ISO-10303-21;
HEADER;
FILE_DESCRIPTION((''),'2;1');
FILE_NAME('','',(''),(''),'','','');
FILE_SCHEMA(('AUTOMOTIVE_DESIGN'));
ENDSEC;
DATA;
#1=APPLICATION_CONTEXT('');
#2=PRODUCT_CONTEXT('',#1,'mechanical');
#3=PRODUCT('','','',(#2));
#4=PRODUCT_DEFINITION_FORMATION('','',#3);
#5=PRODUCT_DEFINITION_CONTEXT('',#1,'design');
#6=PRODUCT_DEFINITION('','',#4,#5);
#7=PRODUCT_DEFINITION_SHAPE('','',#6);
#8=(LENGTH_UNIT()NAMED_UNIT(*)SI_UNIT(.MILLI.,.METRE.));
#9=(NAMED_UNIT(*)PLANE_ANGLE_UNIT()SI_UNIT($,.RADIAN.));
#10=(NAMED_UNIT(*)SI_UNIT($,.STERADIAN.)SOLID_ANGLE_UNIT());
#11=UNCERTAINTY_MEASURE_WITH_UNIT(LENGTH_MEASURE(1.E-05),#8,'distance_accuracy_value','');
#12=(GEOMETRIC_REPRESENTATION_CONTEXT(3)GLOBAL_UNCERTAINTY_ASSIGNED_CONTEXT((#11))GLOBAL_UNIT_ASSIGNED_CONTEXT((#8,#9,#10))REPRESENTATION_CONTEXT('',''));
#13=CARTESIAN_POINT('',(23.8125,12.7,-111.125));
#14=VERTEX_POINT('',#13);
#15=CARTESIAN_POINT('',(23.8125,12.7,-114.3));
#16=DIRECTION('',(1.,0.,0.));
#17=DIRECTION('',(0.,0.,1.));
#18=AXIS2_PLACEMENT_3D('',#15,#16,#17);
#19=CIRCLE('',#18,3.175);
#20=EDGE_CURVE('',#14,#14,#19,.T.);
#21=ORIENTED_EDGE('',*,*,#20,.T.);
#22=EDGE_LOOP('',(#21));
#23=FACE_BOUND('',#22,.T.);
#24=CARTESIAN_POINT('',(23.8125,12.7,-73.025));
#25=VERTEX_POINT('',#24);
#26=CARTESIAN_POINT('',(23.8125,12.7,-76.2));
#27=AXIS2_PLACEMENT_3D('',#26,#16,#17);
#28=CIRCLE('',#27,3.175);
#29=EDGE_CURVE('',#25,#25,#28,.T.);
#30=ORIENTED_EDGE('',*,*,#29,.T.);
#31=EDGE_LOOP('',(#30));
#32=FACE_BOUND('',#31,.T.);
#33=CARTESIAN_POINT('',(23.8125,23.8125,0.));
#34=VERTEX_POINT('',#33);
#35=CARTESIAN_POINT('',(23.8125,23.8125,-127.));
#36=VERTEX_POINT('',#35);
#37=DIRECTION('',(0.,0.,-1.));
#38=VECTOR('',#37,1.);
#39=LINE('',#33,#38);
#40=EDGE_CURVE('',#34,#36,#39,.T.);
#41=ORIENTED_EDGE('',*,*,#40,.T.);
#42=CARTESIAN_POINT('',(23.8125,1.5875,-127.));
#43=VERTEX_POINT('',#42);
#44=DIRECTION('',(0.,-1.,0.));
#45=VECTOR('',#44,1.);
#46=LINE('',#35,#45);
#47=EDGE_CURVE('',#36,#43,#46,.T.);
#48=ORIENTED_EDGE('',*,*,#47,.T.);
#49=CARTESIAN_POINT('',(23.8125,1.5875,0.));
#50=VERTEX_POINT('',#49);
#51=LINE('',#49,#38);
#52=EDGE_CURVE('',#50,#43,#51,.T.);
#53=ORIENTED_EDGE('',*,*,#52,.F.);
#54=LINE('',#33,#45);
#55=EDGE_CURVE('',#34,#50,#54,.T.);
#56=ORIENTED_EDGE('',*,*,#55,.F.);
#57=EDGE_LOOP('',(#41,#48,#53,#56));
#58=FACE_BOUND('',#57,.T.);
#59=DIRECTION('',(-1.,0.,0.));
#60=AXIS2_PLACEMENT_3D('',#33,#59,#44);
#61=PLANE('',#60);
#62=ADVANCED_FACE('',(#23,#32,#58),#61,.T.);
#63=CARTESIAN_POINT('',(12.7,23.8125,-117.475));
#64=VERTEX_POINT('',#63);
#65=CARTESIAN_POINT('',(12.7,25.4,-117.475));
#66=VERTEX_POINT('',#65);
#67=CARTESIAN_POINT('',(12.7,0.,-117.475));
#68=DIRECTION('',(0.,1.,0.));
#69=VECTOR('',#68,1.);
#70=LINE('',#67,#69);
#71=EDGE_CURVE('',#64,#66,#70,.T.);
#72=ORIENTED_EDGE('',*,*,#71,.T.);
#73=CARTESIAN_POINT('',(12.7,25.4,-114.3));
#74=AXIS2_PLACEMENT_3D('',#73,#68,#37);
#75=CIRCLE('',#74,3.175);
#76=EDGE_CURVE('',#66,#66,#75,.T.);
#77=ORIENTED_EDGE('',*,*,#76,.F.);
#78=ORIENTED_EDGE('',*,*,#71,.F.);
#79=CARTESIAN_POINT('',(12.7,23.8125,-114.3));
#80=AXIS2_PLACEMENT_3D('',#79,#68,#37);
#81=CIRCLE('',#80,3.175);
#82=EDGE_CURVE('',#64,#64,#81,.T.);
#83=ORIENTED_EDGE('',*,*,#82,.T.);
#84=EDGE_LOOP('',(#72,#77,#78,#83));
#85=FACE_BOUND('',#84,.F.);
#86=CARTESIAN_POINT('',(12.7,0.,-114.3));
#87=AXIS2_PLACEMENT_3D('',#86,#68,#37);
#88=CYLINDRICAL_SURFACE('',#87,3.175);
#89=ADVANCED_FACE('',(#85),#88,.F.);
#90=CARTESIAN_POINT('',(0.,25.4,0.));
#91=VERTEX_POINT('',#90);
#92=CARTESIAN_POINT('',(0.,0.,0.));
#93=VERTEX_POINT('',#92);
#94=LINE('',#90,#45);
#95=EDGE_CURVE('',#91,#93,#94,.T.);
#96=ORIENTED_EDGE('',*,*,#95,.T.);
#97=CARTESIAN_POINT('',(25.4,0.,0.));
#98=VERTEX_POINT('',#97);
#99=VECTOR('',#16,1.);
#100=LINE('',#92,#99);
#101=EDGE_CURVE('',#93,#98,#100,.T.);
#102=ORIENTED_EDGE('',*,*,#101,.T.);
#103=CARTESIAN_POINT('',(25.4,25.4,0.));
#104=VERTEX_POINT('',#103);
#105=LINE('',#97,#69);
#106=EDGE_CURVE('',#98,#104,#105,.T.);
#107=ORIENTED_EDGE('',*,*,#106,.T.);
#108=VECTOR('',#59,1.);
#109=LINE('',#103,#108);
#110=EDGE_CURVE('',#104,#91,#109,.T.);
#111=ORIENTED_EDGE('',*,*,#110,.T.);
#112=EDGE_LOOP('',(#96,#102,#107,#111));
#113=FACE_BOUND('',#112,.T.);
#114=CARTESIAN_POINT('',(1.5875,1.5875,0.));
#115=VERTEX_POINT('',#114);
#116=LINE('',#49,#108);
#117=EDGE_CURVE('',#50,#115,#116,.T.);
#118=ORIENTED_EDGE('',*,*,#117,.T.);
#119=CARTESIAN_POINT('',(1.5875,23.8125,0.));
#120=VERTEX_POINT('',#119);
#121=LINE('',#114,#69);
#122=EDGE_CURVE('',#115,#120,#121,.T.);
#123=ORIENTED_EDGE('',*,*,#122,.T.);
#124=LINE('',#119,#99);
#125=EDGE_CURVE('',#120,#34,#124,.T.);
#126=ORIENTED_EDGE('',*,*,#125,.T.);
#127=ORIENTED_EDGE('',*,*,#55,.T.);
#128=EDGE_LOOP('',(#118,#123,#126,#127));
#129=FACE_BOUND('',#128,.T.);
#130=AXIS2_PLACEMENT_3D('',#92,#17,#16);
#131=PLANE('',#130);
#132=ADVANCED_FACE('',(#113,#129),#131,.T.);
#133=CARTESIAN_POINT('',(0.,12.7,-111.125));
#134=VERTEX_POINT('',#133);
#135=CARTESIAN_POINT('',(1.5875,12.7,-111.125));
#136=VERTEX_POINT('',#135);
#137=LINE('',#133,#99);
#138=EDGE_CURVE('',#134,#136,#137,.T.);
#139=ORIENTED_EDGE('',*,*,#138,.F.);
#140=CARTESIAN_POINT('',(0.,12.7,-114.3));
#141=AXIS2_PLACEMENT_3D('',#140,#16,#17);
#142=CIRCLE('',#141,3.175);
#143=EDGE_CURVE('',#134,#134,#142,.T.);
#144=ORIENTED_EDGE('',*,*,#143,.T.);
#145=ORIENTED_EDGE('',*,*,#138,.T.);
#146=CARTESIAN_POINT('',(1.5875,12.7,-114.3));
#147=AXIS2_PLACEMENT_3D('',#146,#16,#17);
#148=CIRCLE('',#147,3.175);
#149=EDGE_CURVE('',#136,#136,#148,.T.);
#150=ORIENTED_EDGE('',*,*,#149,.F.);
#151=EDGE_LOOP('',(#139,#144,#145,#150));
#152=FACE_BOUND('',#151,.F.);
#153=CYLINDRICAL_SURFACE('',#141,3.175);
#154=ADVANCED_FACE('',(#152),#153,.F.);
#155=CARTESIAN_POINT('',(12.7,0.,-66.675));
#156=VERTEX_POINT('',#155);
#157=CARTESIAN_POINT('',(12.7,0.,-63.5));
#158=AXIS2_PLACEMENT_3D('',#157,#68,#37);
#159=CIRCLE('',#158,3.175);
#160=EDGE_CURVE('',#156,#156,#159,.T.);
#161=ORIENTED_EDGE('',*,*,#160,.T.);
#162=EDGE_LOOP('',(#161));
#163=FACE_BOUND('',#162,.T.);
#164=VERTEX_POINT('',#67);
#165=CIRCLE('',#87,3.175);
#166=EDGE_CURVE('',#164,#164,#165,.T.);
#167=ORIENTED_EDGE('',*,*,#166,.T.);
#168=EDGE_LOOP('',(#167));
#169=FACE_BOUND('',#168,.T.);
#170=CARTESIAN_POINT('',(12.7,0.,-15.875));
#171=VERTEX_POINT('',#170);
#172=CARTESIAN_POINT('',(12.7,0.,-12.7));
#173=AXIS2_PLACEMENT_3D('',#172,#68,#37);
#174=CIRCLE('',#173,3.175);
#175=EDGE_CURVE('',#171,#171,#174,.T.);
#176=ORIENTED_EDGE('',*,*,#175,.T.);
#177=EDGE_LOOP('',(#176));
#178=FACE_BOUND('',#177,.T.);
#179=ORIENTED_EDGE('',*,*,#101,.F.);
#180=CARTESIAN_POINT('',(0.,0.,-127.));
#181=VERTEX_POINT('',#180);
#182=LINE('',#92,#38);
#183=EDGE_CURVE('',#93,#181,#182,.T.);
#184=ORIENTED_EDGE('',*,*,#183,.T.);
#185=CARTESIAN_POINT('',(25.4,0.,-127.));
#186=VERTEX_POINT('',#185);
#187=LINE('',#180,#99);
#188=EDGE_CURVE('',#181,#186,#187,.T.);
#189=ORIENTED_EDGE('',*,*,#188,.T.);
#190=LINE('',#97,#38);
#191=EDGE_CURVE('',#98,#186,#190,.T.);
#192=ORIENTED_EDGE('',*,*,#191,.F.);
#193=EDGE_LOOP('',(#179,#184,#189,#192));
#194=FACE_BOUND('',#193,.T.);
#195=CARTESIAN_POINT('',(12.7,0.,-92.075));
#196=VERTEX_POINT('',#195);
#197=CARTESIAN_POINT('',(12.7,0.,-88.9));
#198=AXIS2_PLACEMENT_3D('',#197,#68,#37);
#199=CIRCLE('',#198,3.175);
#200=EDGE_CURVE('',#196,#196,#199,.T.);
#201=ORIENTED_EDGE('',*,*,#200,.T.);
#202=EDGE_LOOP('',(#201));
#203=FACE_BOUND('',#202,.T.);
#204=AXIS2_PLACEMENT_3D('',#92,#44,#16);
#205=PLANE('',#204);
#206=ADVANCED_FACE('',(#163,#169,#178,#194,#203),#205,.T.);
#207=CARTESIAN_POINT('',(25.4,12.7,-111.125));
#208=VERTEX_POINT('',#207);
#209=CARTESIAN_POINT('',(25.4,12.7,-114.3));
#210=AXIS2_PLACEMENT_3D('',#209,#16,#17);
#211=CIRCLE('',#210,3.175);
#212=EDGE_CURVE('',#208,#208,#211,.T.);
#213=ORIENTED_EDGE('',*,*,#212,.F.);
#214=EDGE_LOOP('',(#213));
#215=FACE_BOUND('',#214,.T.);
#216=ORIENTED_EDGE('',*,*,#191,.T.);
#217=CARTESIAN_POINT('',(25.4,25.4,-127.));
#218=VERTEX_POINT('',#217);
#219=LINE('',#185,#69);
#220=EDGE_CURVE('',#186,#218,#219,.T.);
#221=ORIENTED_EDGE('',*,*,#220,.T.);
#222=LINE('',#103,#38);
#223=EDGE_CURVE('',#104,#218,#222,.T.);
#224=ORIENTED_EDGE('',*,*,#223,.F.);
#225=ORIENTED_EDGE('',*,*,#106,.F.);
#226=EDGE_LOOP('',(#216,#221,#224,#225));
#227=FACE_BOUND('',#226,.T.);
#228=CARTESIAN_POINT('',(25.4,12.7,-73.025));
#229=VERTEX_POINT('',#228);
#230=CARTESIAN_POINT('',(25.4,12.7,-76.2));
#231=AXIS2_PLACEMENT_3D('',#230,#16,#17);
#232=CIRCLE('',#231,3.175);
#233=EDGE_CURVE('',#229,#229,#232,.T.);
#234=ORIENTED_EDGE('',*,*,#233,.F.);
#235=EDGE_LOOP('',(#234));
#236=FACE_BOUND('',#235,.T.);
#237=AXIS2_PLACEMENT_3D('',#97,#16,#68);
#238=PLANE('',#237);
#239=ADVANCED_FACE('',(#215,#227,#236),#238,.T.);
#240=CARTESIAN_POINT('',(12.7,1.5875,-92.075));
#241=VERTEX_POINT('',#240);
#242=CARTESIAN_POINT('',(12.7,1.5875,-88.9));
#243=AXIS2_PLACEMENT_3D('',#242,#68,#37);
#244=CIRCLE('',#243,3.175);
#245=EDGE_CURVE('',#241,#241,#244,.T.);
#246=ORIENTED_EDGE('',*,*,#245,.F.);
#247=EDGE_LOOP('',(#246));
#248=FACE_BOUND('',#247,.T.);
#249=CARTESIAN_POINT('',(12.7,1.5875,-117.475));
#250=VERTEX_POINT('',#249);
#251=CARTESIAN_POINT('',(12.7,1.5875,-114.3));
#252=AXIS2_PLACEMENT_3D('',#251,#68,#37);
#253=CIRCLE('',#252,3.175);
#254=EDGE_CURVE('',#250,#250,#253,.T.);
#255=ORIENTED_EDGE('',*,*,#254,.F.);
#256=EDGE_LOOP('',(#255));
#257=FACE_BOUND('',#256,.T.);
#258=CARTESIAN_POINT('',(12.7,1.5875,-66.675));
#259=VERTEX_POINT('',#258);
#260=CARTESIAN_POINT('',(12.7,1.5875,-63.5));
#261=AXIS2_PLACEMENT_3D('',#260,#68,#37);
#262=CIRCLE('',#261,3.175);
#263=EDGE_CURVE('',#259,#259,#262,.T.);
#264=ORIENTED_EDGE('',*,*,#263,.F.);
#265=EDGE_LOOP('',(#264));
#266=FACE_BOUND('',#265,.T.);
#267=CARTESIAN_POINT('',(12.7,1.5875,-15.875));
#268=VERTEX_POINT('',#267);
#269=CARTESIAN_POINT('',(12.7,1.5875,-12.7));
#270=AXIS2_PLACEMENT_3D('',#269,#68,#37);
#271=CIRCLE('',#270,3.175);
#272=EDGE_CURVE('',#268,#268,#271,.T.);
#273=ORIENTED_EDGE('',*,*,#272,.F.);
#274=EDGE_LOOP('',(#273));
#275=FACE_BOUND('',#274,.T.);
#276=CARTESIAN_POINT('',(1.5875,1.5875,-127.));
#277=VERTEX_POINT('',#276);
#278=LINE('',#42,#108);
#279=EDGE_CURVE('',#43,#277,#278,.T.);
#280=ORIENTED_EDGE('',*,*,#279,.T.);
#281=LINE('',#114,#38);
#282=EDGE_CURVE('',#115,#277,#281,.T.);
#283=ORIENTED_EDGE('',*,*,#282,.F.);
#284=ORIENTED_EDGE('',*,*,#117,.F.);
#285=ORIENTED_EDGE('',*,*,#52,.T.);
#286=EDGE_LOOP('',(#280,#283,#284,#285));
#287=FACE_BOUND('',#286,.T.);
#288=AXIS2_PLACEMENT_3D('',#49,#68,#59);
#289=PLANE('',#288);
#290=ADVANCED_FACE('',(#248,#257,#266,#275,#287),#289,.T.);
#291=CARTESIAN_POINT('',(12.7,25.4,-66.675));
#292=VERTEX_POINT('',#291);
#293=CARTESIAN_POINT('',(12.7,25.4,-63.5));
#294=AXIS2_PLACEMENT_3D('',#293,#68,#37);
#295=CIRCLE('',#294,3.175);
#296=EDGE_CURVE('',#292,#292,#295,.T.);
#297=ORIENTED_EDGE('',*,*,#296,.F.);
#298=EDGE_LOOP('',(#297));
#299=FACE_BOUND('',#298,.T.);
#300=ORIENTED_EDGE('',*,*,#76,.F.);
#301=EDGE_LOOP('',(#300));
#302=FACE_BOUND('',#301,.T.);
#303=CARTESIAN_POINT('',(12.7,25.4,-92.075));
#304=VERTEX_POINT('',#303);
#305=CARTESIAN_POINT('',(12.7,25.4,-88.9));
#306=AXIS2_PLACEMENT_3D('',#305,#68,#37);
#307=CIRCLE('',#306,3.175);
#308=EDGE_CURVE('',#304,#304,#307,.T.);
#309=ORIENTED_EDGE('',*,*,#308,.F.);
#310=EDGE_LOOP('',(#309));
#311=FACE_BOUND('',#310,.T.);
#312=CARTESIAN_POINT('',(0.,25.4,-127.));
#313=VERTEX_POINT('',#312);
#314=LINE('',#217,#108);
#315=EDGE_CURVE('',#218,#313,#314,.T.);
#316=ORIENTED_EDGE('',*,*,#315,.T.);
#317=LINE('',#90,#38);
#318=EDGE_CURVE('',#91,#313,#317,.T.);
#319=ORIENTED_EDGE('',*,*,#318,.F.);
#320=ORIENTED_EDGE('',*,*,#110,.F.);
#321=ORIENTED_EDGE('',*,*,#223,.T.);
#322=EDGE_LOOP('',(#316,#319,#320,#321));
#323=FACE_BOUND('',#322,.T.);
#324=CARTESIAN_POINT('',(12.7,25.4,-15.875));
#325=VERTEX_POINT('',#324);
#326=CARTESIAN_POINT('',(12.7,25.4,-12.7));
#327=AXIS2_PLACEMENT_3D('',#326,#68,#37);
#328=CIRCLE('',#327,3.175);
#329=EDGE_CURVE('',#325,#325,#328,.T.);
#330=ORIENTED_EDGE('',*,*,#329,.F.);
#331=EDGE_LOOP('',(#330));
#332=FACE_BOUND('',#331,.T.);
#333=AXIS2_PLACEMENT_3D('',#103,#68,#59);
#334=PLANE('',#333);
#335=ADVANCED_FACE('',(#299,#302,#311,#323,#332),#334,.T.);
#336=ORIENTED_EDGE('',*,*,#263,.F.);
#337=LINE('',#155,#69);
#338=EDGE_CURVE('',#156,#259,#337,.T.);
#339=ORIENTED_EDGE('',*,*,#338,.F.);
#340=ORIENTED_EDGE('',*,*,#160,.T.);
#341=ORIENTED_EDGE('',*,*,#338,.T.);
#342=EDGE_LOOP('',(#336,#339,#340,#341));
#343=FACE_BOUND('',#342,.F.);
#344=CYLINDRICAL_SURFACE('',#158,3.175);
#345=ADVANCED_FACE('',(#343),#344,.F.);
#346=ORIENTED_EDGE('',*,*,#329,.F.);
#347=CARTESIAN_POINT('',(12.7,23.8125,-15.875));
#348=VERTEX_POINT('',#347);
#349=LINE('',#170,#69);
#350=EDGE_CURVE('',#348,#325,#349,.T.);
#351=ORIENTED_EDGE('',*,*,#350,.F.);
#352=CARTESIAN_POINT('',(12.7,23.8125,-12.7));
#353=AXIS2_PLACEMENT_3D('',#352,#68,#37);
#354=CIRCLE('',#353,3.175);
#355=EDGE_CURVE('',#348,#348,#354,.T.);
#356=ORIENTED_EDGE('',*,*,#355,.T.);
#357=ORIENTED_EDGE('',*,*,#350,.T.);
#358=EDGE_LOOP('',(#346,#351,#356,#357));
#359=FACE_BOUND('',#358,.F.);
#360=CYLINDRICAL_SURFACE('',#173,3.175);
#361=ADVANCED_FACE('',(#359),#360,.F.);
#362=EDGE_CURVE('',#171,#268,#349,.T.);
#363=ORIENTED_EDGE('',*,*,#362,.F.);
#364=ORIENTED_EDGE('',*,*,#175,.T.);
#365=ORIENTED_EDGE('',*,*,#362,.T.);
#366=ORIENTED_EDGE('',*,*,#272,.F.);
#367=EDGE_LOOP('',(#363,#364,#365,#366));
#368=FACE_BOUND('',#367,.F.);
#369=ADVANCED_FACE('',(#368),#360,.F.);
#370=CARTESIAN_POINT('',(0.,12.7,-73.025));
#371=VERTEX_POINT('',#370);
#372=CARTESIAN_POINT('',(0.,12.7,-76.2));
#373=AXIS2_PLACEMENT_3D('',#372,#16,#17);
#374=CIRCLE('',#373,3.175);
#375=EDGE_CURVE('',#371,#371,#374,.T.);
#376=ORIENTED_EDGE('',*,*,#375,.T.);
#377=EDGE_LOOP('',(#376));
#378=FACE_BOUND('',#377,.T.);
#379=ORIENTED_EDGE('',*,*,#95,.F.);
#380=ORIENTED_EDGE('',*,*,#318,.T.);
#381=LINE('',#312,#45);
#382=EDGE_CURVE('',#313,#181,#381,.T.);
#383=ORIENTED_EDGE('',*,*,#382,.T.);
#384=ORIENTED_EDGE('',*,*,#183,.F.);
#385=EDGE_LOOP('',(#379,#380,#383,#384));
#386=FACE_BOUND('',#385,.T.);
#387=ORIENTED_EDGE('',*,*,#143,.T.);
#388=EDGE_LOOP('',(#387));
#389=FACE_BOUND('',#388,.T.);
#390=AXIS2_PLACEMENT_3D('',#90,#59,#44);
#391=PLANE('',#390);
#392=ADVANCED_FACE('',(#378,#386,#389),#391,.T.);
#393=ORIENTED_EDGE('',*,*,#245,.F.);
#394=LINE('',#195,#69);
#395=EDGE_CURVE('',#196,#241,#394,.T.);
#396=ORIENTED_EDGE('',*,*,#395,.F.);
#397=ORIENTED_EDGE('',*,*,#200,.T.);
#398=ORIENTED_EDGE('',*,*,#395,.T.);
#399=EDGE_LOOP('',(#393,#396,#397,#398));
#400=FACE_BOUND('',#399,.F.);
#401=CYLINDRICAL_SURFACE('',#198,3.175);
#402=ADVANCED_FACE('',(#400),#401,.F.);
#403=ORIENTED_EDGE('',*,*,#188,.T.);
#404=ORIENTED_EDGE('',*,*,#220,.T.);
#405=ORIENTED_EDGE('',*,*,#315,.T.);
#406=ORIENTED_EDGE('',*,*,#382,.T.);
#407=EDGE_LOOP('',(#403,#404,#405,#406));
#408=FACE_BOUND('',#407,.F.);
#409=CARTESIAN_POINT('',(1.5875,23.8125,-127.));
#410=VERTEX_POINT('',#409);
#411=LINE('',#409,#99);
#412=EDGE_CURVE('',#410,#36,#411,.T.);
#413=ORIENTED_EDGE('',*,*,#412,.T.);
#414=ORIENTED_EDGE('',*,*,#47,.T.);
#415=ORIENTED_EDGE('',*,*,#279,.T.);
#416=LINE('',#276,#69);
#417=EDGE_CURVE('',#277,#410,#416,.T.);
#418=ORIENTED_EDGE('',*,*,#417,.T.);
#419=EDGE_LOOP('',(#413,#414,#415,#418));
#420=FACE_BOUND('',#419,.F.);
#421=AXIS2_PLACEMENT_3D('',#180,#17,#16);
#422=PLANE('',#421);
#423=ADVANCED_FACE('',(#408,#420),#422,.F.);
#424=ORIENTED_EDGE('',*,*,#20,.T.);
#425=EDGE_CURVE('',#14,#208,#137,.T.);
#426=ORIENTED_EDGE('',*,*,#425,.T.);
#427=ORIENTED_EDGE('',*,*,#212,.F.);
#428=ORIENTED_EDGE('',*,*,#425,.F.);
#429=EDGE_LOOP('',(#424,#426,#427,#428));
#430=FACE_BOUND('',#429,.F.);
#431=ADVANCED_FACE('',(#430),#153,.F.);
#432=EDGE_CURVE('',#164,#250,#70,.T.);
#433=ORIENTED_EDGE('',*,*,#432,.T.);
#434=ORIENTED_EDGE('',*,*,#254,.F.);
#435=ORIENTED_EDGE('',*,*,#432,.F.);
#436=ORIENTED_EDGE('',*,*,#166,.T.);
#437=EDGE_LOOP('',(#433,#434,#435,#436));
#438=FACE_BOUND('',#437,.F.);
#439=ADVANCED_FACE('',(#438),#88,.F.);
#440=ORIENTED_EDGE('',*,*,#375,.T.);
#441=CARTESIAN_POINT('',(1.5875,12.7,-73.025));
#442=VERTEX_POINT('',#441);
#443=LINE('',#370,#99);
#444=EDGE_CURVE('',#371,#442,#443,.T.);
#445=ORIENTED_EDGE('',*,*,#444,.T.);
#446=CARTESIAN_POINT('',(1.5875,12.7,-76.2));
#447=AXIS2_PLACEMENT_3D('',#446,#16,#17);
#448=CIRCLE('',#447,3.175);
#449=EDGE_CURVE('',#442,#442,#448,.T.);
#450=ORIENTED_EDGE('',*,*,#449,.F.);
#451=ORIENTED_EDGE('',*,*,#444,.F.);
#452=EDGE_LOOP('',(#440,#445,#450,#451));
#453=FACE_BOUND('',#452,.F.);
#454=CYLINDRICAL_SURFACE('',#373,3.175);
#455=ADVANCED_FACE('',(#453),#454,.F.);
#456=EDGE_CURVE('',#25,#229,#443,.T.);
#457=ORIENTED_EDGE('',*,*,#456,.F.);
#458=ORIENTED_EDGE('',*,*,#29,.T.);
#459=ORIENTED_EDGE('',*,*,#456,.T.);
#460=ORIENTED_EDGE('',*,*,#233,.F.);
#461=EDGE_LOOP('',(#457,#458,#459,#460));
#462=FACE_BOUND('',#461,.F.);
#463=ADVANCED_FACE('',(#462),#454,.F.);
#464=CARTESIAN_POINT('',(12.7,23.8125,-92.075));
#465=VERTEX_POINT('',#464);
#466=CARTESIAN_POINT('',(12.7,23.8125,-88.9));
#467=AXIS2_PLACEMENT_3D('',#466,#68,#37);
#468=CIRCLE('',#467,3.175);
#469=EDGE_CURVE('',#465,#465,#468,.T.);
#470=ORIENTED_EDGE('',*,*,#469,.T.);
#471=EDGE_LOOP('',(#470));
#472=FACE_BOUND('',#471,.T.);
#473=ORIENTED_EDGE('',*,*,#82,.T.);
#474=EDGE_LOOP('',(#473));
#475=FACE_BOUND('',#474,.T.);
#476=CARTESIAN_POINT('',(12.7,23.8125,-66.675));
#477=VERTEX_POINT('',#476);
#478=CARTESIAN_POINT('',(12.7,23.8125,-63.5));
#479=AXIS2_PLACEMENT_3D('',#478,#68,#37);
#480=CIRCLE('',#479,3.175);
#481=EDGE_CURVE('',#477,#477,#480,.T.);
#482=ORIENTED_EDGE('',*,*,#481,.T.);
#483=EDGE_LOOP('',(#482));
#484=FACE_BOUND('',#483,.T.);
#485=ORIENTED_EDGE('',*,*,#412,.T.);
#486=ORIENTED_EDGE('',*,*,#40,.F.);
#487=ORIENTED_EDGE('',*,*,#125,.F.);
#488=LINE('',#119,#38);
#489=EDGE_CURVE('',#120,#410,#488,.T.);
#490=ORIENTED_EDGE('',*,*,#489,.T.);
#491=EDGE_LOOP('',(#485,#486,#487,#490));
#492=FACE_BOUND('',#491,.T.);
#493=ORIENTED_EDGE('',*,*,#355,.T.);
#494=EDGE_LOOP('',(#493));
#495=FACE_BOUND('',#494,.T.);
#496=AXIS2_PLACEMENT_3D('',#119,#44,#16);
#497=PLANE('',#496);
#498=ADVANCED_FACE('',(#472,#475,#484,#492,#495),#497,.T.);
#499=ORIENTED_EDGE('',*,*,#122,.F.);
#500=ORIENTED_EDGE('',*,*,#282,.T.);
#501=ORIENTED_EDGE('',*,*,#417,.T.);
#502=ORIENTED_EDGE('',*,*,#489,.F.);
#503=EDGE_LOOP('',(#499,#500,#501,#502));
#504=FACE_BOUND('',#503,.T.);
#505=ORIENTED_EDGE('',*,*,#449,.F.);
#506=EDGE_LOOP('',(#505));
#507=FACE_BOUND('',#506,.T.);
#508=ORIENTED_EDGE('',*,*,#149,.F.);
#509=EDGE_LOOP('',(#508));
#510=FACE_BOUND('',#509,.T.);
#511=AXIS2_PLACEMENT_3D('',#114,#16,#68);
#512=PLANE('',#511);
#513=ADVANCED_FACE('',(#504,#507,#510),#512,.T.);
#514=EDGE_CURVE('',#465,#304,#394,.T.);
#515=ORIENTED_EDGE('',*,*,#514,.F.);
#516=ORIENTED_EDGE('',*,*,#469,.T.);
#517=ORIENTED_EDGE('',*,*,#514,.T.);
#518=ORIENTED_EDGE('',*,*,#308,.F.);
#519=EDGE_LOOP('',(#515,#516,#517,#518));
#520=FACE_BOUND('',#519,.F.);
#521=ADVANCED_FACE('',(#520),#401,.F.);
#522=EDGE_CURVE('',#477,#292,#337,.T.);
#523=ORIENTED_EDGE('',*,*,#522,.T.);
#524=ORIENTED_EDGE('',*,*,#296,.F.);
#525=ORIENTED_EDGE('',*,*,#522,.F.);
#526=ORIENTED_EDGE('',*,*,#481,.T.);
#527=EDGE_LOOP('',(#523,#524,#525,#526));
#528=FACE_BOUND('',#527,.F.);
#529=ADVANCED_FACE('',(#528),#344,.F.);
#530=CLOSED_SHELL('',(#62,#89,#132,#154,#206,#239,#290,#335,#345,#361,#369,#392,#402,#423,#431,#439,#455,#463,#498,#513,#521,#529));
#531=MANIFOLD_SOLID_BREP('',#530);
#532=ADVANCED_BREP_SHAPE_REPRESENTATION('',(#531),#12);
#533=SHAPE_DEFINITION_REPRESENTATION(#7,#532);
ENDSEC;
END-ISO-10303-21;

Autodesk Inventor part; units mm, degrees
ref_plane "YZ Plane" through (0, 0, 0) normal (1, 0, 0) x (0, 1, 0)
ref_plane "XZ Plane" through (0, 0, 0) normal (0, 1, 0) x (-1, 0, 0)
ref_plane "XY Plane" through (0, 0, 0) normal (0, 0, 1) x (1, 0, 0)
sketch "Sketch1" plane through (0, 0, 0) normal (0, 0, 1) x (1, 0, 0)
  line L0 (0, 0) -> (25.4, 0)
  line L1 (25.4, 0) -> (25.4, 25.4)
  line L2 (25.4, 25.4) -> (0, 25.4)
  line L3 (0, 25.4) -> (0, 0)
  line L4 (1.5875, 23.8125) -> (23.8125, 23.8125)
  line L5 (23.8125, 23.8125) -> (23.8125, 1.5875)
  line L6 (23.8125, 1.5875) -> (1.5875, 1.5875)
  line L7 (1.5875, 1.5875) -> (1.5875, 23.8125)
  dimension "d0" = 25.4
  dimension "d1" = 25.4
  dimension "d2" = 1.5875
extrude "Extrusion1" add sketch "Sketch1" against normal blind 127
sketch "Sketch2" plane through (0, 0, 0) normal (0, -1, 0) x (1, 0, 0)
  line L0 (0, -127) -> (25.4, -127) projected
  line L1 (0, 0) -> (25.4, 0) projected
  point P0 (12.7, -12.7)
  point P1 (12.7, -114.3)
  point P2 (12.7, -88.9)
  point P3 (12.7, -63.5)
  point P4 (12.7, -127)
  dimension "d5" = 25.4
  dimension "d6" = 25.4
  dimension "d7" = 12.7
  dimension "d8" = 12.7
hole "Hole1" at (12.7, 0, -12.7) at (12.7, 0, -114.3) at (12.7, 0, -88.9) at (12.7, 0, -63.5) direction (0, 1, 0) diameter 6.35 depth 25.4 tip angle 118
sketch "Sketch3" plane through (0, 0, 0) normal (-1, 0, 0) x (0, 0, 1)
  line L0 (-127, 25.4) -> (-127, 0) projected
  point P0 (-114.3, 12.7)
  point P1 (-76.2, 12.7)
  dimension "d25" = 12.7
  dimension "d27" = 38.1
hole "Hole2" at (0, 12.7, -114.3) at (0, 12.7, -76.2) direction (1, 0, 0) diameter 6.35 depth 25.4 tip angle 118
properties part number "1tube_6"
